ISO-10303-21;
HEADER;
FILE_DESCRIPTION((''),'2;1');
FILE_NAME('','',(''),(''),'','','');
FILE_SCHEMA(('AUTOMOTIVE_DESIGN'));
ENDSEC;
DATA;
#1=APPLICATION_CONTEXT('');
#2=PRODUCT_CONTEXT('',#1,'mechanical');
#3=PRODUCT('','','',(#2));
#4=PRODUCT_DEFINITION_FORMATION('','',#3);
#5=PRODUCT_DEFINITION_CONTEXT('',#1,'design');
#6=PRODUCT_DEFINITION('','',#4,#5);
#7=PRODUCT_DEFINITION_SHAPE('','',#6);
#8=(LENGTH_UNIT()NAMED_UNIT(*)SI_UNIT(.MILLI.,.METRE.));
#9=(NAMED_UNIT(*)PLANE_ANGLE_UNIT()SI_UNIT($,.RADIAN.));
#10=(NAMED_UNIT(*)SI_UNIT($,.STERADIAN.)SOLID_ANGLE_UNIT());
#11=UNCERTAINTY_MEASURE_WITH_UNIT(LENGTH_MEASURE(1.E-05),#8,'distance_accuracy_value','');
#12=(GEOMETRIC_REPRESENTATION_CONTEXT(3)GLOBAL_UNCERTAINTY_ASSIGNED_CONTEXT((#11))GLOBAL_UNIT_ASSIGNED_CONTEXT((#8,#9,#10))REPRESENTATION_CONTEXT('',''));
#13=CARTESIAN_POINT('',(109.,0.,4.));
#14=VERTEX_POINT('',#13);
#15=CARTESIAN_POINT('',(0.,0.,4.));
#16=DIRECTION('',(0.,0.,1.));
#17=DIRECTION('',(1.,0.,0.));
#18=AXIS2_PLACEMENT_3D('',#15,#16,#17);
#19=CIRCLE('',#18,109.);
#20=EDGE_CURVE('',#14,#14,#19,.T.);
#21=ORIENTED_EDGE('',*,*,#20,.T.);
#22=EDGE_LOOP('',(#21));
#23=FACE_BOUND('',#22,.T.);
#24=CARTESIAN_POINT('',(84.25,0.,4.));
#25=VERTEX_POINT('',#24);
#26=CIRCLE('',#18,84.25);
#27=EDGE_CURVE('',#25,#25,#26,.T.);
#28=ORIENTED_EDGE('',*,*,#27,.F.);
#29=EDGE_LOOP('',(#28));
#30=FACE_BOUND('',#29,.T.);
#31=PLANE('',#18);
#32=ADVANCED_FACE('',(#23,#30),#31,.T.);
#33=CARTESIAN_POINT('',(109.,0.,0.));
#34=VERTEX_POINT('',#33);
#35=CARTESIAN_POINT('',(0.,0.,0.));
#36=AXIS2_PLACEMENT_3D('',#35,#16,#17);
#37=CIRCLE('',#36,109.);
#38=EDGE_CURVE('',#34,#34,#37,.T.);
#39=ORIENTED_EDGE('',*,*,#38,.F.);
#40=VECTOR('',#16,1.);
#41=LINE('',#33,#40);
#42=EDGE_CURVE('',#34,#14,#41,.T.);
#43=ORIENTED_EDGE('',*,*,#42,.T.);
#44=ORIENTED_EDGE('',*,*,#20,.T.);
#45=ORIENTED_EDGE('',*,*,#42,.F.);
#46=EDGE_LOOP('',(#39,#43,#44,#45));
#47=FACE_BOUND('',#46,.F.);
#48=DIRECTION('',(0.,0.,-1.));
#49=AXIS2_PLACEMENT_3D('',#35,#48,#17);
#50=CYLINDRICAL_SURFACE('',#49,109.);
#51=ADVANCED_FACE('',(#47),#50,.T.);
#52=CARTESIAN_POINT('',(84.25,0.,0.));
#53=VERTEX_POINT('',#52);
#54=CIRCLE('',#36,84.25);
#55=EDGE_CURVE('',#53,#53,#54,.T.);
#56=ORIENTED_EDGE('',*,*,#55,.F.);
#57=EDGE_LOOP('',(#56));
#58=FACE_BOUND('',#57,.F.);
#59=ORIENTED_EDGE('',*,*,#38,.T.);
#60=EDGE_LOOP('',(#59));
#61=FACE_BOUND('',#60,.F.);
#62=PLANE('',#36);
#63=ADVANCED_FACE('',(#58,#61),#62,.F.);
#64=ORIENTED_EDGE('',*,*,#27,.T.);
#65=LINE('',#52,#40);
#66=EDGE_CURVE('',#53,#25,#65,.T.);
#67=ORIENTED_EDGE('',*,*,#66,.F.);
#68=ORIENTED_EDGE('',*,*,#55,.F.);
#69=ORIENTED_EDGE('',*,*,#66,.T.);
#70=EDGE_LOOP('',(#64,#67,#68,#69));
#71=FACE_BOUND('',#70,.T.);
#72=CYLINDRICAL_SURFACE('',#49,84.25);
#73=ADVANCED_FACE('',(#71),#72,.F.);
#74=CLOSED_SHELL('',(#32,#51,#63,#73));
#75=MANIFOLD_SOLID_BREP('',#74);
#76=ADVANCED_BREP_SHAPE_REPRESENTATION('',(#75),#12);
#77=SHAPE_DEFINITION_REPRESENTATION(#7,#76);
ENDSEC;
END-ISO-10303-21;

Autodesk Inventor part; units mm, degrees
ref_plane "YZ Plane" through (0, 0, 0) normal (1, 0, 0) x (0, 1, 0)
ref_plane "XZ Plane" through (0, 0, 0) normal (0, 1, 0) x (-1, 0, 0)
ref_plane "XY Plane" through (0, 0, 0) normal (0, 0, 1) x (1, 0, 0)
sketch "Sketch1" plane through (0, 0, 0) normal (0, 0, 1) x (1, 0, 0)
  circle A0 centre (0, 0) radius 84.25
  circle A1 centre (0, 0) radius 109
  line L0 (77.0746, -77.0746) -> (-77.0746, 77.0746) construction
  line L1 (-77.0746, -77.0746) -> (77.0746, 77.0746) construction
  point P0 (0, 84.25)
  dimension "d44" = 168.5
  dimension "d23" = 218
  dimension "d45" = 24.75
extrude "Plate1" add sketch "Sketch1" along normal blind 4
equation "\"d2\" = Thickness"
equation "\"BendReliefWidth\" = Thickness"
equation "\"BendReliefDepth\" = 0.5 * Thickness"
equation "\"CornerReliefSize\" = 4 * Thickness"
equation "\"MinimumRemnant\" = 2 * Thickness"
equation "\"TransitionRadius\" = BendRadius"
equation "\"JacobiRadiusSize\" = BendRadius"
equation "\"GapSize\" = Thickness"
equation "\"Octaeder_side\" = d41"
equation "\"Octaeder_flange_lenth\" = d42"
equation "\"Thickness\" = 4"
equation "\"BendRadius\" = 6"
equation "\"d41\" = 55.918831"
equation "\"d42\" = 72.5"
properties part number "DSB 114 lap joint flange" material "Stainless Steel"
